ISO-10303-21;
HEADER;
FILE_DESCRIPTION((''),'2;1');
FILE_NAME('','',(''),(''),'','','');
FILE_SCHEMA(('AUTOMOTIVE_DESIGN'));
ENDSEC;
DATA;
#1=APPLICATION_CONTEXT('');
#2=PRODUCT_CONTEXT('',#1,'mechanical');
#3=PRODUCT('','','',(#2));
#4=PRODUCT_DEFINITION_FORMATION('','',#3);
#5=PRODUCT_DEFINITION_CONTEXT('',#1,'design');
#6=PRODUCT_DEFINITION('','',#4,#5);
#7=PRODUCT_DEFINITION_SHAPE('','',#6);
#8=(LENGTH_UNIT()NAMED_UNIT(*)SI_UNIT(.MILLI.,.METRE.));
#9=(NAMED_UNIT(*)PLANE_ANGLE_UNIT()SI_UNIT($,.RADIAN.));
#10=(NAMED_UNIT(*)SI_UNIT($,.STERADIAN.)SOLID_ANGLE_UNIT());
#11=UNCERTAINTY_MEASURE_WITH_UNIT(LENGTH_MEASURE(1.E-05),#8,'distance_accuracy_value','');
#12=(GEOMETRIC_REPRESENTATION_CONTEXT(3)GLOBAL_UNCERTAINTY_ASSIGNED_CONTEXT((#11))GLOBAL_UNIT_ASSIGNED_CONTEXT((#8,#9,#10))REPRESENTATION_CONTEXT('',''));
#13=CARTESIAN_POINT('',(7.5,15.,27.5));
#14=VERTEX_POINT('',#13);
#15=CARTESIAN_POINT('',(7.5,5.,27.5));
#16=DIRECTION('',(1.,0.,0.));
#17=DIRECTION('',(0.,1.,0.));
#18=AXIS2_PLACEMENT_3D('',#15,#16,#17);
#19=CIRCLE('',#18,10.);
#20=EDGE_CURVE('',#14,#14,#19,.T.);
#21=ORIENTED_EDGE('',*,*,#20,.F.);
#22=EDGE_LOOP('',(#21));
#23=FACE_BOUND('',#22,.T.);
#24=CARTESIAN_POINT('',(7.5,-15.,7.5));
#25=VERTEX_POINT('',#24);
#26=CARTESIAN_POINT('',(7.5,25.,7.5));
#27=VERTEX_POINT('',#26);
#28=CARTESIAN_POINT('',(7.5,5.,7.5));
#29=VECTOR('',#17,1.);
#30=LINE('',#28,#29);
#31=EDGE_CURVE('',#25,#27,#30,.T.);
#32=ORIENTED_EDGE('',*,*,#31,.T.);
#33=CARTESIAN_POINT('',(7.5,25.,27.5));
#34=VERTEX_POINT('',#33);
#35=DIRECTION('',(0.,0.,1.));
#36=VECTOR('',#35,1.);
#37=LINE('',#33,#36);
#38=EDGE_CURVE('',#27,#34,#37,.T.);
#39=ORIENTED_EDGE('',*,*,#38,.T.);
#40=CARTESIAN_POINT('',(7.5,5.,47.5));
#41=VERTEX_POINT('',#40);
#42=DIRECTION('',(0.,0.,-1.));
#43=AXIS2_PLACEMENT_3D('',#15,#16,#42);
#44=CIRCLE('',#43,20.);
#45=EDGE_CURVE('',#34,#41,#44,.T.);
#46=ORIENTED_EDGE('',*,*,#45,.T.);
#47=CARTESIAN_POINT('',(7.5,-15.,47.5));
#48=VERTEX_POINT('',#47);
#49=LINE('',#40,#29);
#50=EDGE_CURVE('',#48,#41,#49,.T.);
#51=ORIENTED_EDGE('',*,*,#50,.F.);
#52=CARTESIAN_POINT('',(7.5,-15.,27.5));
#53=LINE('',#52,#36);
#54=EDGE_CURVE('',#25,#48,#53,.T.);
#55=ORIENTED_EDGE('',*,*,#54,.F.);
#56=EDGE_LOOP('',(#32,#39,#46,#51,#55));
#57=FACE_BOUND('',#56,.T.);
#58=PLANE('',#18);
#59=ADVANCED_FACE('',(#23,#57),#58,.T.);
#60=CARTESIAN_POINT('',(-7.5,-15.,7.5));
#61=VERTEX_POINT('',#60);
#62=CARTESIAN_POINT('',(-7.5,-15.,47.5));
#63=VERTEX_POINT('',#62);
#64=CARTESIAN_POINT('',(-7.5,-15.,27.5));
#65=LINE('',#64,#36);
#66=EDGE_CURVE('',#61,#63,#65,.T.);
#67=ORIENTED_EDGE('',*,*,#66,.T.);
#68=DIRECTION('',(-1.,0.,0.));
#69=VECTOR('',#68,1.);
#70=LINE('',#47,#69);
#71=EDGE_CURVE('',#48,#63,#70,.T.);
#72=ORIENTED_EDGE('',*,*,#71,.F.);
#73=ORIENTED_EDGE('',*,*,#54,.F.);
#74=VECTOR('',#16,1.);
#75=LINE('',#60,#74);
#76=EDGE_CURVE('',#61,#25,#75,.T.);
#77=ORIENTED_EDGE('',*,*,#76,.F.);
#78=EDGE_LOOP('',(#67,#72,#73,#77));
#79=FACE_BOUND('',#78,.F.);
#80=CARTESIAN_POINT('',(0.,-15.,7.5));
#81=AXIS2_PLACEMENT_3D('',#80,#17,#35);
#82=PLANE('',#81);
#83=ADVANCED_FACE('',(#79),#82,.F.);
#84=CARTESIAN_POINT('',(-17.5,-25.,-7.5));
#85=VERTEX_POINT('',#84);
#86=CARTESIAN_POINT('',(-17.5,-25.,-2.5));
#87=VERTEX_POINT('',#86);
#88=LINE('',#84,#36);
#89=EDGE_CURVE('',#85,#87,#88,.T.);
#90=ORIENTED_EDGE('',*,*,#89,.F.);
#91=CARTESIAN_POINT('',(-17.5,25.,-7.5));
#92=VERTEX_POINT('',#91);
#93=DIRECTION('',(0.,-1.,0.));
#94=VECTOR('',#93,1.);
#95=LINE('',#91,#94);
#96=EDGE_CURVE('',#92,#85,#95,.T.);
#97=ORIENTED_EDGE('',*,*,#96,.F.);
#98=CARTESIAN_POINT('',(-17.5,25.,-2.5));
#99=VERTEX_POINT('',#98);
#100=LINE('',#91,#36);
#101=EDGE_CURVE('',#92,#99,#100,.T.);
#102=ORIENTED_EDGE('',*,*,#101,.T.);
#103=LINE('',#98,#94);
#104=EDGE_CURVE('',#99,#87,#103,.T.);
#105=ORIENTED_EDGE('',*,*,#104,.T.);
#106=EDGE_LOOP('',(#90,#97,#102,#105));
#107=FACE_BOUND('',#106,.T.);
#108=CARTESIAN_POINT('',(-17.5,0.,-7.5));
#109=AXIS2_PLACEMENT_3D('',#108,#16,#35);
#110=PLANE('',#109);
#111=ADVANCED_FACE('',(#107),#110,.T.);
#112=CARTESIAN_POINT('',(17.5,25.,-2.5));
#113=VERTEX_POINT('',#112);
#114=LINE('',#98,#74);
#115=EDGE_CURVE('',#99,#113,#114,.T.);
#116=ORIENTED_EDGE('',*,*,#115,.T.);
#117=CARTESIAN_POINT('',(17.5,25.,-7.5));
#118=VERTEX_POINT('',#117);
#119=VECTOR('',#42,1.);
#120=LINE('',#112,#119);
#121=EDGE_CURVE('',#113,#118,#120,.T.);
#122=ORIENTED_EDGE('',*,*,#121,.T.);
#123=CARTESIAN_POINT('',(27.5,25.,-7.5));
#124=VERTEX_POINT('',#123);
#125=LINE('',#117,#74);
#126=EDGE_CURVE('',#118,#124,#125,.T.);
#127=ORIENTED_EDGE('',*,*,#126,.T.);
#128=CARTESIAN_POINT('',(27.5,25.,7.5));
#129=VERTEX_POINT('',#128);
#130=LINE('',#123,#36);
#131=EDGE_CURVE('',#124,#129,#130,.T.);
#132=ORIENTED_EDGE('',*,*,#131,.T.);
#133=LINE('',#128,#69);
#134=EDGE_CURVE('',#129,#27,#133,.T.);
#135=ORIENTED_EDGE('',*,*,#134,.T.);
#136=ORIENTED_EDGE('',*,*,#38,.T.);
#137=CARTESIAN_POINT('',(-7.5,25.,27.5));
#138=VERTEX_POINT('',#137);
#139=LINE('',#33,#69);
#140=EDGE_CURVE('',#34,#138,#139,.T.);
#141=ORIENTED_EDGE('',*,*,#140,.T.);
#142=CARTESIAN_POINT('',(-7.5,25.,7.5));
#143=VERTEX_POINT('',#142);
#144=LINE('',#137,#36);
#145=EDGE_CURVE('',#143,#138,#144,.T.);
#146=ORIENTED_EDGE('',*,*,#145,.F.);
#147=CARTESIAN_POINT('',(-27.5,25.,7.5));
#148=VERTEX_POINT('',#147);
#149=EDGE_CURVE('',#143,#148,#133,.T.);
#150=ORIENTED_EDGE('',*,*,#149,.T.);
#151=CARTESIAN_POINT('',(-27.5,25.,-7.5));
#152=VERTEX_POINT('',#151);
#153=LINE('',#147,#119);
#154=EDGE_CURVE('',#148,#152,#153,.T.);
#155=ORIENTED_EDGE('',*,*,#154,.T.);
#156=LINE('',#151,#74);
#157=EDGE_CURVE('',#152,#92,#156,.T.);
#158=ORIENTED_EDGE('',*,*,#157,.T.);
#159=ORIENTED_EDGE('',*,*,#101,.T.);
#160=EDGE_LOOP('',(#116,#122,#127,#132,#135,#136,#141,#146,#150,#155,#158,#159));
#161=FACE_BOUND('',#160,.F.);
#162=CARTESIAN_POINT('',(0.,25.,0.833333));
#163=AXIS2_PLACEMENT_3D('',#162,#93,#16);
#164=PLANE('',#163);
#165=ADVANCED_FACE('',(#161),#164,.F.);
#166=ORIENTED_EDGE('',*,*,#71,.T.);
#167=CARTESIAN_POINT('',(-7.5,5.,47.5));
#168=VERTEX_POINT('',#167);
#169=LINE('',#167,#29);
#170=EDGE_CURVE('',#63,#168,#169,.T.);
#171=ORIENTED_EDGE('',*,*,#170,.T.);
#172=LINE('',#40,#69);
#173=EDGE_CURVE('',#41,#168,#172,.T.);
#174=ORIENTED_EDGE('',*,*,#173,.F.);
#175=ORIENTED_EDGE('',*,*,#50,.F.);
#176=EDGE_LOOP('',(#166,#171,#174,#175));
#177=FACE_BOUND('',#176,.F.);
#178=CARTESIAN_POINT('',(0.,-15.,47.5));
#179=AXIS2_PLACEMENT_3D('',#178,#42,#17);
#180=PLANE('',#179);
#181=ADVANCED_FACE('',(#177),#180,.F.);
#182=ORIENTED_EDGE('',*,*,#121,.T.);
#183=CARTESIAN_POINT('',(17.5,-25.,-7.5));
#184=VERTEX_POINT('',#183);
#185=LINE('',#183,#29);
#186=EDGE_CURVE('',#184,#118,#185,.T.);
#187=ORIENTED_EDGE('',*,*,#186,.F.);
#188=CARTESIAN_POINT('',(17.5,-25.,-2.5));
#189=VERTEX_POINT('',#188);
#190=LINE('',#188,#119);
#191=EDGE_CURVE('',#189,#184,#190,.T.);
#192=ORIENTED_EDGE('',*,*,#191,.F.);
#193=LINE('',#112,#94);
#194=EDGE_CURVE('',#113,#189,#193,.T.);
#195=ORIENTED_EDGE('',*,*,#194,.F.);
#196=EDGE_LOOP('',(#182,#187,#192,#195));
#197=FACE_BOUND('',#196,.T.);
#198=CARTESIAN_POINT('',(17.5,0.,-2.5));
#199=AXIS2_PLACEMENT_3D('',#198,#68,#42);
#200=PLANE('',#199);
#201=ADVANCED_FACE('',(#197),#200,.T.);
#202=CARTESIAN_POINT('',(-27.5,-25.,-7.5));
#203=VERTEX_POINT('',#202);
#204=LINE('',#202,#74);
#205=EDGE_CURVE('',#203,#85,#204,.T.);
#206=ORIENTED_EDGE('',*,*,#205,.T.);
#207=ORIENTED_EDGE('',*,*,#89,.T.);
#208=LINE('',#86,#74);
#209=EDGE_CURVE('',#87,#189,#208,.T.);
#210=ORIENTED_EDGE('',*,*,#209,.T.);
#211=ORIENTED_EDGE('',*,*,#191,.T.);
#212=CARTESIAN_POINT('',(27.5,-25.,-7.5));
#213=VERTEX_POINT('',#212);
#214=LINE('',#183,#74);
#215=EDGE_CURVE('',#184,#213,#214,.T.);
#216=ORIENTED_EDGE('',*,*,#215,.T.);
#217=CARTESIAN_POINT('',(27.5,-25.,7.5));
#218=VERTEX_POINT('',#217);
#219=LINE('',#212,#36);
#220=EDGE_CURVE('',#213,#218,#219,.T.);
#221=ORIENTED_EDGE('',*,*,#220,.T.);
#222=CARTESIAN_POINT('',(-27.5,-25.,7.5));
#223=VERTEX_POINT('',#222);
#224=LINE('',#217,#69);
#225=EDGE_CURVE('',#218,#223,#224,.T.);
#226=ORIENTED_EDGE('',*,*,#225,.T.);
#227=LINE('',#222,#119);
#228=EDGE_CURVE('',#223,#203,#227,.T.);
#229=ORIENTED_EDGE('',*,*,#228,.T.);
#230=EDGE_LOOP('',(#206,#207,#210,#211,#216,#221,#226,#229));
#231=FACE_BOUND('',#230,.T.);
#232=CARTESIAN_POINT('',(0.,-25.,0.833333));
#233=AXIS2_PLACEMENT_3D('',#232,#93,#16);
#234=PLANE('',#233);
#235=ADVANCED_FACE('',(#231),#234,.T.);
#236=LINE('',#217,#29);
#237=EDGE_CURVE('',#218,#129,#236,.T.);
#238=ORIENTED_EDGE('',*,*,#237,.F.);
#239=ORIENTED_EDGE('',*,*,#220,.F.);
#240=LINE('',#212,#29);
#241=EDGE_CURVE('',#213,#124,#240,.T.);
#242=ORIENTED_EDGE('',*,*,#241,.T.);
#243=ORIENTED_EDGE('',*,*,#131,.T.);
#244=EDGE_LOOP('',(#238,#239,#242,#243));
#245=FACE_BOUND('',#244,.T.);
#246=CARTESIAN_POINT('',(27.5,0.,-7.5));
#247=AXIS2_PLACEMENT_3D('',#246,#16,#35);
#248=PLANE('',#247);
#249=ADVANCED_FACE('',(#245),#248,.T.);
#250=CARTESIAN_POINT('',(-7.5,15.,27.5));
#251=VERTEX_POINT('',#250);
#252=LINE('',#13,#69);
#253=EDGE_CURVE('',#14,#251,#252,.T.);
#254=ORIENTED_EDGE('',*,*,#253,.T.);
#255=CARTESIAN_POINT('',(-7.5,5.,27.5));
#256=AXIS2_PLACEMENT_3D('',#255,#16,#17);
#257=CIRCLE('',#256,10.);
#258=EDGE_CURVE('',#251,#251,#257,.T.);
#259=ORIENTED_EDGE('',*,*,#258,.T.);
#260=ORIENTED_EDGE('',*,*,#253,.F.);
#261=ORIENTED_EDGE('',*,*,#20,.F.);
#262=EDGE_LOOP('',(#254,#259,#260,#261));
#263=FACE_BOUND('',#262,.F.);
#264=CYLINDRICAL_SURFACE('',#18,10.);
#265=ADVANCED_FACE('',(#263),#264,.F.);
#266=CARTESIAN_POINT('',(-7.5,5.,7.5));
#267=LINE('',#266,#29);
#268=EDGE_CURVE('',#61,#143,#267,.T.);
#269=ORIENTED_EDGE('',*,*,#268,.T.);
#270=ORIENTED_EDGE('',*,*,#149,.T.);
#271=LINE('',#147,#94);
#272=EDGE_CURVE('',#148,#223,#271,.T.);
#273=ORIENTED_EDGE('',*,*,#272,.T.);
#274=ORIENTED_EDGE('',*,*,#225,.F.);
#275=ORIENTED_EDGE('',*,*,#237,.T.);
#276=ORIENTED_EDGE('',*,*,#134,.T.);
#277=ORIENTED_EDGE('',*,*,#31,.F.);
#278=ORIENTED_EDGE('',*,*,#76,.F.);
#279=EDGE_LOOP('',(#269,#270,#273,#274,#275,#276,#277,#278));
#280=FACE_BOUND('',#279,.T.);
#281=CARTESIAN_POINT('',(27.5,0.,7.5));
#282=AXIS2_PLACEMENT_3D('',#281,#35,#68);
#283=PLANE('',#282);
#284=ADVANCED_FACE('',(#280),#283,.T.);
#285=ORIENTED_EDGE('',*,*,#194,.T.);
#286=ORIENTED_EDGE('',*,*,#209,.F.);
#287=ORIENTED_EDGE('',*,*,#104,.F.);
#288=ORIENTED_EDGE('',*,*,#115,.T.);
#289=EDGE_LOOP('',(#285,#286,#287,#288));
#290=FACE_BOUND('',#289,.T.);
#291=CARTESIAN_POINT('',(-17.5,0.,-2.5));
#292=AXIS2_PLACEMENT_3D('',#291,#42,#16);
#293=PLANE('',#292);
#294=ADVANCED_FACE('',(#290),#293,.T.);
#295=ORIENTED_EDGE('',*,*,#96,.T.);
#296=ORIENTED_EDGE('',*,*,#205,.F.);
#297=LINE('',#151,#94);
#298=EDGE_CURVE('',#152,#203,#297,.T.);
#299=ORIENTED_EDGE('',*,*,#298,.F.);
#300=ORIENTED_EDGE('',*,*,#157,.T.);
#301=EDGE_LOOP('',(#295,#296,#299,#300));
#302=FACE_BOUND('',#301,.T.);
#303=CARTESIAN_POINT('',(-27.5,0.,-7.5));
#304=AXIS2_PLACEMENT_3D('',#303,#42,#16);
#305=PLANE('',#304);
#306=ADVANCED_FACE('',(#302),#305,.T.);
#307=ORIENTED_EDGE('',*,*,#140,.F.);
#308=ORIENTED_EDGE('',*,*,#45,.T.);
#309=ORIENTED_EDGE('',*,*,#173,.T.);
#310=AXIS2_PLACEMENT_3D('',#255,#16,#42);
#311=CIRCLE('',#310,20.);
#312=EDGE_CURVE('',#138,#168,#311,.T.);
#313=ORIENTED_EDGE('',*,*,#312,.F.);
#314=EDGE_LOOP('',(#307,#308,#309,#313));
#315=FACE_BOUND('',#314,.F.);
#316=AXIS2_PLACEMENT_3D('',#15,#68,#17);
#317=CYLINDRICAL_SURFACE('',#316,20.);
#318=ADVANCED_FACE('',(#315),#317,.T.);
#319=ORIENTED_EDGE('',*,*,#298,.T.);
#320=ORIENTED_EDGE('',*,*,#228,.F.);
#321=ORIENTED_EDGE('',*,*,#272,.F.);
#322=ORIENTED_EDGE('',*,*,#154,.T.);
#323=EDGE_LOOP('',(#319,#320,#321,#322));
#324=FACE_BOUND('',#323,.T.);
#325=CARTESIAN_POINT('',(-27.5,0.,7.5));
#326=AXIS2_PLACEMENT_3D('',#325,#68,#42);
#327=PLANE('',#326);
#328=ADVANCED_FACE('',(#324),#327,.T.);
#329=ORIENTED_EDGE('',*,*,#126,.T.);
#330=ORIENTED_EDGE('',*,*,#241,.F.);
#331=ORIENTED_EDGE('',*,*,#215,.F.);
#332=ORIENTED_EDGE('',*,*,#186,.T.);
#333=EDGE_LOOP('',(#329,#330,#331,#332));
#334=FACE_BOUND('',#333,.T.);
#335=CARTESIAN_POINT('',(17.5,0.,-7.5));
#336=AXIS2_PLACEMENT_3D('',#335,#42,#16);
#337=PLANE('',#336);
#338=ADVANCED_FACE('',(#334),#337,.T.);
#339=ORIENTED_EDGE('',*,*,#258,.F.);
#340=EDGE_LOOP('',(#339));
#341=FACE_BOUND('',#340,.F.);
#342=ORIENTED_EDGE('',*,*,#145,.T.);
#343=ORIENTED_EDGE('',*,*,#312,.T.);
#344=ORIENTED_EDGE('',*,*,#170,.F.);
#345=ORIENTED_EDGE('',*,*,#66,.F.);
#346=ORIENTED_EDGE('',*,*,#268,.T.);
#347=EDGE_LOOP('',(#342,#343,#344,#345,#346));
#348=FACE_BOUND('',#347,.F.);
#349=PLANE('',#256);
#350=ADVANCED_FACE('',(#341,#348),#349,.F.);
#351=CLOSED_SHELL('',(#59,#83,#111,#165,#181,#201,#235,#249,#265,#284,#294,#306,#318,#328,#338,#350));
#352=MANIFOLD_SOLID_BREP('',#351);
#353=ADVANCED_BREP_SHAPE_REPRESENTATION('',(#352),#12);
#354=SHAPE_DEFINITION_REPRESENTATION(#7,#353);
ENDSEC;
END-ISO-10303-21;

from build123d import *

# Parameters (mm, degrees)
F1_DEPTH = 25
F2_W     = 40
F2_H     = 40
F3_DEPTH = 7.5
F4_R     = 10
F5_DEPTH = 15
F6_R     = 20


with BuildPart() as f1:
    # F0 (on Front) → F1 (new body, symmetric)
    with BuildSketch(Plane.XZ):
        Polygon((27.5, 7.5), (-27.5, 7.5), (-27.5, -7.5), (-17.5, -7.5), (-17.5, -2.5), (17.5, -2.5), (17.5, -7.5), (27.5, -7.5), align=None)
    extrude(amount=F1_DEPTH, both=True)

    # F2 (on Right) → F3 (join, symmetric)
    with BuildSketch(Plane.YZ):
        with Locations((5, 27.5)):
            Rectangle(F2_W, F2_H)
    extrude(amount=F3_DEPTH, both=True)

    # F4 (on face) → F5 (cut, through all)
    with BuildSketch(Plane.YZ.offset(7.5)):
        with Locations((5, 27.5)):
            Circle(F4_R)
    extrude(amount=-F5_DEPTH, mode=Mode.SUBTRACT)

    # F6
    f6_edges = [f1.edges().sort_by_distance(p)[0] for p in [
        (0, 25, 47.5),
    ]]
    fillet(f6_edges, radius=F6_R)


solid = f1.part
